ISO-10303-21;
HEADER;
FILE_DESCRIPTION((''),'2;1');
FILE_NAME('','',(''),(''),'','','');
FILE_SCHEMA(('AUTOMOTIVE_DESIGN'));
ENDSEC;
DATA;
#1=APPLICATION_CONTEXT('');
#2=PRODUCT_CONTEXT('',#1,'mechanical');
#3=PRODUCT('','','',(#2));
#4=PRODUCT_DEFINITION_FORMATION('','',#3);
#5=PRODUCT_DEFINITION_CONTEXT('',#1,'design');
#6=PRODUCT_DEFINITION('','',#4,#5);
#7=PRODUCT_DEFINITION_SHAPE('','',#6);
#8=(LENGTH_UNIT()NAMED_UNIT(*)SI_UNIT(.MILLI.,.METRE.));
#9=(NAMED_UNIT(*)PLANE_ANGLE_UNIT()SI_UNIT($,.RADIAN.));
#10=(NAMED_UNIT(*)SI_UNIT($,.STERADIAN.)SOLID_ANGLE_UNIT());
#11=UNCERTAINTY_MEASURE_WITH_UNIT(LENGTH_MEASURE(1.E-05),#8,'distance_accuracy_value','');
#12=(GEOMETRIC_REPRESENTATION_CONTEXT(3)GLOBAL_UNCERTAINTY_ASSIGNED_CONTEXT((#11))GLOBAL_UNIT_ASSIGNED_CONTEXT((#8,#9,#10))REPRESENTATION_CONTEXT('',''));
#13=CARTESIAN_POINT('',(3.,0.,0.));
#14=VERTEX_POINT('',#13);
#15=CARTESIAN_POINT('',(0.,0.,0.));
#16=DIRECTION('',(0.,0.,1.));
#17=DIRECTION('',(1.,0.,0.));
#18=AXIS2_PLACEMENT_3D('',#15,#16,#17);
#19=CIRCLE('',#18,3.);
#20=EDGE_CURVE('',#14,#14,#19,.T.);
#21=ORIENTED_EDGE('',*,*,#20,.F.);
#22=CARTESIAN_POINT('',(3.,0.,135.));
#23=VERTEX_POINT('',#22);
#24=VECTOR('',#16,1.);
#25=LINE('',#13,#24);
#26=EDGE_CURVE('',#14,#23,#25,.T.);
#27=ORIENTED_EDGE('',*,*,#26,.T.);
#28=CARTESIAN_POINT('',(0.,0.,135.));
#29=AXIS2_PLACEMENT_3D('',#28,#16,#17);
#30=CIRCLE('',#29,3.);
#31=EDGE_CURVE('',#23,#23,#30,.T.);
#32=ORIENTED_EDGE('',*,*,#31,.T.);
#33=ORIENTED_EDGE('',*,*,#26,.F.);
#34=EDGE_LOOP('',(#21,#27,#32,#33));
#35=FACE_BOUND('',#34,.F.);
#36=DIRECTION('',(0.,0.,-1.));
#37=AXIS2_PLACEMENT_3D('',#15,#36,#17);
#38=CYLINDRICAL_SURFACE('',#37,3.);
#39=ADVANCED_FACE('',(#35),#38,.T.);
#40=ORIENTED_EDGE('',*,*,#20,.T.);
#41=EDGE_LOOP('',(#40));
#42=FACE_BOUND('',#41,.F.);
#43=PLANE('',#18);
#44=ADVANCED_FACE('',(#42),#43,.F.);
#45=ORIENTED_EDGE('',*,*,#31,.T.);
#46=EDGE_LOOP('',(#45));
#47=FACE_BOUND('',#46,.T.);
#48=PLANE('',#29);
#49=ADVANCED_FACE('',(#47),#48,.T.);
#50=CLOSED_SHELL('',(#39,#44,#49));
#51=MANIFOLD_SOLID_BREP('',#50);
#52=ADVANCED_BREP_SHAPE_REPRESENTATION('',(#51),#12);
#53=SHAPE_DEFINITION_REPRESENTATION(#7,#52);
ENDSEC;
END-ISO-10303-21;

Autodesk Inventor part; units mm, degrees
ref_plane "YZ Plane" through (0, 0, 0) normal (1, 0, 0) x (0, 1, 0)
ref_plane "XZ Plane" through (0, 0, 0) normal (0, 1, 0) x (-1, 0, 0)
ref_plane "XY Plane" through (0, 0, 0) normal (0, 0, 1) x (1, 0, 0)
sketch "Skizze1" plane through (0, 0, 0) normal (0, 0, 1) x (1, 0, 0)
  circle A0 centre (0, 0) radius 3
  dimension "d0" = 6
extrude "Extrusion1" add sketch "Skizze1" along normal blind 135
properties part number "FormAxis"
